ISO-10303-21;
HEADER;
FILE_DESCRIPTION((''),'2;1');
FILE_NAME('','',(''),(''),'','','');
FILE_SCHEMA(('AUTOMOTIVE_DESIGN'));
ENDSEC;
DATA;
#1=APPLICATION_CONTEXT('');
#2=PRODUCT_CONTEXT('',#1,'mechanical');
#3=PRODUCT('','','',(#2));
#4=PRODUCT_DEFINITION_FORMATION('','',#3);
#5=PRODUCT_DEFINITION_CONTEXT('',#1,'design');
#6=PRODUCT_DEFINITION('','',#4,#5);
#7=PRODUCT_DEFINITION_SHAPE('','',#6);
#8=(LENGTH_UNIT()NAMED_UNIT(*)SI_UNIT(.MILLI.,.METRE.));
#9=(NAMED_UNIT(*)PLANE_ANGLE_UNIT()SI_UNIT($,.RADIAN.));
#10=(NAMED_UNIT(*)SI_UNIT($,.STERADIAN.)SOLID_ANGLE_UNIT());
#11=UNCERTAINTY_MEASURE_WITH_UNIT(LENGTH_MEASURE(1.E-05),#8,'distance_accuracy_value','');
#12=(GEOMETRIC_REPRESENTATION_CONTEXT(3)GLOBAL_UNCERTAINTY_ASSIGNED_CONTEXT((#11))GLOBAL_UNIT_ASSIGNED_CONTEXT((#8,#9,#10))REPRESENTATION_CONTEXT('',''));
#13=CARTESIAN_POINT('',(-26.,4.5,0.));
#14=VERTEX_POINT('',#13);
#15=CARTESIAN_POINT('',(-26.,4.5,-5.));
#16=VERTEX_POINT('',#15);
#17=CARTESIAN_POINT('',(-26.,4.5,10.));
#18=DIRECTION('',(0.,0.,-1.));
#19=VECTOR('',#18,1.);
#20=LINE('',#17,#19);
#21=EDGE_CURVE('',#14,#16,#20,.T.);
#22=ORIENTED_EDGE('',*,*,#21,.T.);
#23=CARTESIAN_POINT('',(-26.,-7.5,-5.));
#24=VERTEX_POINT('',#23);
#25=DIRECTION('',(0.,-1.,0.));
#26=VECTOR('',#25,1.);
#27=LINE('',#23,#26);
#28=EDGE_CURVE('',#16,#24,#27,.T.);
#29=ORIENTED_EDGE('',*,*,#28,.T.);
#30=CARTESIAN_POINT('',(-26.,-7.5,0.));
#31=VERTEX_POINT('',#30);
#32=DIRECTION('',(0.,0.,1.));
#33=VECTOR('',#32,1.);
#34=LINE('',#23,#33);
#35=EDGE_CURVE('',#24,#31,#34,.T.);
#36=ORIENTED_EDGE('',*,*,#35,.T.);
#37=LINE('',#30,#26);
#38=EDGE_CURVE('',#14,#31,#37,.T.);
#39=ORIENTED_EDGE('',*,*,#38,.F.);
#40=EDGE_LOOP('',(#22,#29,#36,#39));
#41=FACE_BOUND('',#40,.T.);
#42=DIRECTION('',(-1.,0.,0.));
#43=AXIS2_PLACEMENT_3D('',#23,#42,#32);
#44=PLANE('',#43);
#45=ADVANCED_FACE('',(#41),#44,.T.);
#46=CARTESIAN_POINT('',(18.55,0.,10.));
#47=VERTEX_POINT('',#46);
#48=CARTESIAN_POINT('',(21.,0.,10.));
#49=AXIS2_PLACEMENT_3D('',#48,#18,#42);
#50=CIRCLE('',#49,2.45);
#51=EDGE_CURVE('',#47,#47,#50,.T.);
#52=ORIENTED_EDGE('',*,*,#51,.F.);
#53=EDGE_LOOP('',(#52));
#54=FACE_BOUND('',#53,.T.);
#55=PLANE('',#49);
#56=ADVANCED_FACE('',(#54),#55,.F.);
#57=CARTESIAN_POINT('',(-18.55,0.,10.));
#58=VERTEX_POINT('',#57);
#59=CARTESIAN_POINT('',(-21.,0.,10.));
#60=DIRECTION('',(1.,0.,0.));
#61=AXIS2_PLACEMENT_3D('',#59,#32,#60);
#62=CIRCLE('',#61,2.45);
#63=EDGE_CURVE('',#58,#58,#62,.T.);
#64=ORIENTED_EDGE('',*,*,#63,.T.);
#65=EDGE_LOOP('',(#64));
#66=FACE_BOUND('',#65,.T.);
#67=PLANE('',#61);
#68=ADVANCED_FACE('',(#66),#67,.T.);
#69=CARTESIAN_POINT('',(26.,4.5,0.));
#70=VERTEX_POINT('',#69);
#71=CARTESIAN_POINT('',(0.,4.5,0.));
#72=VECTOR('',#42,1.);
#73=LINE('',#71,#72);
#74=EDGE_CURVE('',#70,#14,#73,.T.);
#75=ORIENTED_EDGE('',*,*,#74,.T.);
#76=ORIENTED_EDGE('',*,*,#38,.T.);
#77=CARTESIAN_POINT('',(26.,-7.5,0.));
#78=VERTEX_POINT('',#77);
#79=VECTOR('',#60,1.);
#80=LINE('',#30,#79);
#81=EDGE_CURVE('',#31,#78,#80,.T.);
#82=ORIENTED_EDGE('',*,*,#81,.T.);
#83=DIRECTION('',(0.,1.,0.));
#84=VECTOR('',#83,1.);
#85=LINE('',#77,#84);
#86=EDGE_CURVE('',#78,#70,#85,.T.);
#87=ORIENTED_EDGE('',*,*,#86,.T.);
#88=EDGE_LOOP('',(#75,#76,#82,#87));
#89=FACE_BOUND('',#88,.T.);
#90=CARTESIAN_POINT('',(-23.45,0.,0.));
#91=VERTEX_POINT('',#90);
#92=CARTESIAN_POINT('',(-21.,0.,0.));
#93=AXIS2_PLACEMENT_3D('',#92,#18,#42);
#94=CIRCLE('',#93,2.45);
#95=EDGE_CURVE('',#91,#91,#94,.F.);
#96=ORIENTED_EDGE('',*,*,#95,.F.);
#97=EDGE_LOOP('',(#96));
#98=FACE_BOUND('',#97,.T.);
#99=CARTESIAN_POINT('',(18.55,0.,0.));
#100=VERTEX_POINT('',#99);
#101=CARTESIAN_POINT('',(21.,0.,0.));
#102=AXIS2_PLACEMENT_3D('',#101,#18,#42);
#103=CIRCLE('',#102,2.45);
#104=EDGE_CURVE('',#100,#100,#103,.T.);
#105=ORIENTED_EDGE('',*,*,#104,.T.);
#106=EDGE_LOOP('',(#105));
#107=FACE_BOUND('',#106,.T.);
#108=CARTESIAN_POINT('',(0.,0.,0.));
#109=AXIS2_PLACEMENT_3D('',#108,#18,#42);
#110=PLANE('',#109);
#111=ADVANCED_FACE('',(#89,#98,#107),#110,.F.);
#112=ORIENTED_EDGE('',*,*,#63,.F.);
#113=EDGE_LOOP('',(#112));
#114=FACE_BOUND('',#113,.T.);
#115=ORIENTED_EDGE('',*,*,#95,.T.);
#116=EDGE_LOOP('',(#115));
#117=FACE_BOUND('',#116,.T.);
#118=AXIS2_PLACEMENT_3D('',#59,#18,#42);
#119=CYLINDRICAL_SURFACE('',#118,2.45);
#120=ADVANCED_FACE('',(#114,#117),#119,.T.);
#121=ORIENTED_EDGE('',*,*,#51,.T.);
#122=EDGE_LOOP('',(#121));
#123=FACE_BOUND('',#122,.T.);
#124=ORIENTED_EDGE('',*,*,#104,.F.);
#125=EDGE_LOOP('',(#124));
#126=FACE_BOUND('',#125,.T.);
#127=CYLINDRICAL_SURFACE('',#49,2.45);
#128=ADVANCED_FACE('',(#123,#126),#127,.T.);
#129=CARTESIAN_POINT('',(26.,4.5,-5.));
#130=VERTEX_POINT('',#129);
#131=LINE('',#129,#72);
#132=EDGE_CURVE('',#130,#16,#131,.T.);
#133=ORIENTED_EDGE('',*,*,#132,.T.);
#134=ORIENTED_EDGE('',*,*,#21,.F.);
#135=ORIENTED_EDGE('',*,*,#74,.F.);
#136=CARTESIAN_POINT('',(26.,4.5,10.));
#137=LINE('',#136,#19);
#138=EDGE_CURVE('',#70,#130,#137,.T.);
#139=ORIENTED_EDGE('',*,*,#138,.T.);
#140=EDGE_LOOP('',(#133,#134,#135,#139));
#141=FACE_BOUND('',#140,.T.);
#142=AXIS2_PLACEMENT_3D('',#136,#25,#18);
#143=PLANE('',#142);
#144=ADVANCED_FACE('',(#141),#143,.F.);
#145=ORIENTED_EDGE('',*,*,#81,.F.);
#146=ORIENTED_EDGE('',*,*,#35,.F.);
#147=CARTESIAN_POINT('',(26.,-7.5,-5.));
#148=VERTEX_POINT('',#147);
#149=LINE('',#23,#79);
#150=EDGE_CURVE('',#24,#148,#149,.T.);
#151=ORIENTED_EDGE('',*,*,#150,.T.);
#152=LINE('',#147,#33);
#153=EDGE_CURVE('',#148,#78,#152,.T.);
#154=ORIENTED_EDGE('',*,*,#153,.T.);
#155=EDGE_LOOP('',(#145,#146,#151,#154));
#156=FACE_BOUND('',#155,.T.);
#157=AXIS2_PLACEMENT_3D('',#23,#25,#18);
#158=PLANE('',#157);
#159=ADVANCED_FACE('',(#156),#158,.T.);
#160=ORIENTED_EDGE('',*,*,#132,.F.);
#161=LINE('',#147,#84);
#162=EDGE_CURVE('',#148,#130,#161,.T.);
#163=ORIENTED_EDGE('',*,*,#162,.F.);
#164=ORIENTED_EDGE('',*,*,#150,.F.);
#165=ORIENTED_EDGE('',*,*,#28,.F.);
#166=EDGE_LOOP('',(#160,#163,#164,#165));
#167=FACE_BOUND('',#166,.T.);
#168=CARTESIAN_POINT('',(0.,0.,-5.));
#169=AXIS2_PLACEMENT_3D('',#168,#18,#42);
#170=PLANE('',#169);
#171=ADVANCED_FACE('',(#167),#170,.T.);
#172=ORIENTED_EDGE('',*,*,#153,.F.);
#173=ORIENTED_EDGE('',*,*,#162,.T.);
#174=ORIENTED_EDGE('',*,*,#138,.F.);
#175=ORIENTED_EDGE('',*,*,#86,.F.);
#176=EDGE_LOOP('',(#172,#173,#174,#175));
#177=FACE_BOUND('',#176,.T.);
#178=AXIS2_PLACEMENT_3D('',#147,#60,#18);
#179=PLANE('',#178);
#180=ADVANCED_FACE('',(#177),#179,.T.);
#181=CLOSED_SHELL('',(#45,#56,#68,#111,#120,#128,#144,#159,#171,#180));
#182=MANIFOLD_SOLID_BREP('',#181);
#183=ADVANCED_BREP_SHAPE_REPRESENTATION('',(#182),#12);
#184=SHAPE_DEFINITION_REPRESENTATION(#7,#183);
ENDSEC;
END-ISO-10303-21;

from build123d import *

# Parameters (mm, degrees)
SKETCH_3_R          = 2.45
EXTRUDE_2_DEPTH     = 10
EXTRUDE_2_2_DEPTH   = 10
SKETCH_4_W          = 52
SKETCH_4_H          = 15
EXTRUDE_3_DEPTH     = 5
SKETCH_5_W          = 52
SKETCH_5_H          = 3
CUT_EXTRUDE_1_DEPTH = 31.939457009


with BuildPart() as part:
    # 스케치3 → 보스-돌출2 (new body)
    with BuildSketch(Plane.XY):
        with Locations((-21, 0)):
            Circle(SKETCH_3_R)
    extrude(amount=EXTRUDE_2_DEPTH)



with BuildPart() as body_2:
    # 스케치3 → Extrude 2 2 (new body)
    with BuildSketch(Plane.XY):
        with Locations(Location((21, 0, 0), (0, 0, 180))):
            Circle(SKETCH_3_R)
    extrude(amount=EXTRUDE_2_2_DEPTH)


with BuildPart() as part_1:
    add(part.part)

    add(body_2.part)  # 보스-돌출3 merges body 2
    # 스케치4 → 보스-돌출3 (add)
    with BuildSketch(Plane.XY):
        Rectangle(SKETCH_4_W, SKETCH_4_H)
    extrude(amount=-EXTRUDE_3_DEPTH)

    # 스케치5 → 컷-돌출1 (cut, through all)
    with BuildSketch(Plane(origin=(0, 0, -5), x_dir=(-1, 0, 0), z_dir=(0, 0, -1))):
        with Locations((0, 6)):
            Rectangle(SKETCH_5_W, SKETCH_5_H)
    extrude(amount=-CUT_EXTRUDE_1_DEPTH, mode=Mode.SUBTRACT)


solid = part_1.part
